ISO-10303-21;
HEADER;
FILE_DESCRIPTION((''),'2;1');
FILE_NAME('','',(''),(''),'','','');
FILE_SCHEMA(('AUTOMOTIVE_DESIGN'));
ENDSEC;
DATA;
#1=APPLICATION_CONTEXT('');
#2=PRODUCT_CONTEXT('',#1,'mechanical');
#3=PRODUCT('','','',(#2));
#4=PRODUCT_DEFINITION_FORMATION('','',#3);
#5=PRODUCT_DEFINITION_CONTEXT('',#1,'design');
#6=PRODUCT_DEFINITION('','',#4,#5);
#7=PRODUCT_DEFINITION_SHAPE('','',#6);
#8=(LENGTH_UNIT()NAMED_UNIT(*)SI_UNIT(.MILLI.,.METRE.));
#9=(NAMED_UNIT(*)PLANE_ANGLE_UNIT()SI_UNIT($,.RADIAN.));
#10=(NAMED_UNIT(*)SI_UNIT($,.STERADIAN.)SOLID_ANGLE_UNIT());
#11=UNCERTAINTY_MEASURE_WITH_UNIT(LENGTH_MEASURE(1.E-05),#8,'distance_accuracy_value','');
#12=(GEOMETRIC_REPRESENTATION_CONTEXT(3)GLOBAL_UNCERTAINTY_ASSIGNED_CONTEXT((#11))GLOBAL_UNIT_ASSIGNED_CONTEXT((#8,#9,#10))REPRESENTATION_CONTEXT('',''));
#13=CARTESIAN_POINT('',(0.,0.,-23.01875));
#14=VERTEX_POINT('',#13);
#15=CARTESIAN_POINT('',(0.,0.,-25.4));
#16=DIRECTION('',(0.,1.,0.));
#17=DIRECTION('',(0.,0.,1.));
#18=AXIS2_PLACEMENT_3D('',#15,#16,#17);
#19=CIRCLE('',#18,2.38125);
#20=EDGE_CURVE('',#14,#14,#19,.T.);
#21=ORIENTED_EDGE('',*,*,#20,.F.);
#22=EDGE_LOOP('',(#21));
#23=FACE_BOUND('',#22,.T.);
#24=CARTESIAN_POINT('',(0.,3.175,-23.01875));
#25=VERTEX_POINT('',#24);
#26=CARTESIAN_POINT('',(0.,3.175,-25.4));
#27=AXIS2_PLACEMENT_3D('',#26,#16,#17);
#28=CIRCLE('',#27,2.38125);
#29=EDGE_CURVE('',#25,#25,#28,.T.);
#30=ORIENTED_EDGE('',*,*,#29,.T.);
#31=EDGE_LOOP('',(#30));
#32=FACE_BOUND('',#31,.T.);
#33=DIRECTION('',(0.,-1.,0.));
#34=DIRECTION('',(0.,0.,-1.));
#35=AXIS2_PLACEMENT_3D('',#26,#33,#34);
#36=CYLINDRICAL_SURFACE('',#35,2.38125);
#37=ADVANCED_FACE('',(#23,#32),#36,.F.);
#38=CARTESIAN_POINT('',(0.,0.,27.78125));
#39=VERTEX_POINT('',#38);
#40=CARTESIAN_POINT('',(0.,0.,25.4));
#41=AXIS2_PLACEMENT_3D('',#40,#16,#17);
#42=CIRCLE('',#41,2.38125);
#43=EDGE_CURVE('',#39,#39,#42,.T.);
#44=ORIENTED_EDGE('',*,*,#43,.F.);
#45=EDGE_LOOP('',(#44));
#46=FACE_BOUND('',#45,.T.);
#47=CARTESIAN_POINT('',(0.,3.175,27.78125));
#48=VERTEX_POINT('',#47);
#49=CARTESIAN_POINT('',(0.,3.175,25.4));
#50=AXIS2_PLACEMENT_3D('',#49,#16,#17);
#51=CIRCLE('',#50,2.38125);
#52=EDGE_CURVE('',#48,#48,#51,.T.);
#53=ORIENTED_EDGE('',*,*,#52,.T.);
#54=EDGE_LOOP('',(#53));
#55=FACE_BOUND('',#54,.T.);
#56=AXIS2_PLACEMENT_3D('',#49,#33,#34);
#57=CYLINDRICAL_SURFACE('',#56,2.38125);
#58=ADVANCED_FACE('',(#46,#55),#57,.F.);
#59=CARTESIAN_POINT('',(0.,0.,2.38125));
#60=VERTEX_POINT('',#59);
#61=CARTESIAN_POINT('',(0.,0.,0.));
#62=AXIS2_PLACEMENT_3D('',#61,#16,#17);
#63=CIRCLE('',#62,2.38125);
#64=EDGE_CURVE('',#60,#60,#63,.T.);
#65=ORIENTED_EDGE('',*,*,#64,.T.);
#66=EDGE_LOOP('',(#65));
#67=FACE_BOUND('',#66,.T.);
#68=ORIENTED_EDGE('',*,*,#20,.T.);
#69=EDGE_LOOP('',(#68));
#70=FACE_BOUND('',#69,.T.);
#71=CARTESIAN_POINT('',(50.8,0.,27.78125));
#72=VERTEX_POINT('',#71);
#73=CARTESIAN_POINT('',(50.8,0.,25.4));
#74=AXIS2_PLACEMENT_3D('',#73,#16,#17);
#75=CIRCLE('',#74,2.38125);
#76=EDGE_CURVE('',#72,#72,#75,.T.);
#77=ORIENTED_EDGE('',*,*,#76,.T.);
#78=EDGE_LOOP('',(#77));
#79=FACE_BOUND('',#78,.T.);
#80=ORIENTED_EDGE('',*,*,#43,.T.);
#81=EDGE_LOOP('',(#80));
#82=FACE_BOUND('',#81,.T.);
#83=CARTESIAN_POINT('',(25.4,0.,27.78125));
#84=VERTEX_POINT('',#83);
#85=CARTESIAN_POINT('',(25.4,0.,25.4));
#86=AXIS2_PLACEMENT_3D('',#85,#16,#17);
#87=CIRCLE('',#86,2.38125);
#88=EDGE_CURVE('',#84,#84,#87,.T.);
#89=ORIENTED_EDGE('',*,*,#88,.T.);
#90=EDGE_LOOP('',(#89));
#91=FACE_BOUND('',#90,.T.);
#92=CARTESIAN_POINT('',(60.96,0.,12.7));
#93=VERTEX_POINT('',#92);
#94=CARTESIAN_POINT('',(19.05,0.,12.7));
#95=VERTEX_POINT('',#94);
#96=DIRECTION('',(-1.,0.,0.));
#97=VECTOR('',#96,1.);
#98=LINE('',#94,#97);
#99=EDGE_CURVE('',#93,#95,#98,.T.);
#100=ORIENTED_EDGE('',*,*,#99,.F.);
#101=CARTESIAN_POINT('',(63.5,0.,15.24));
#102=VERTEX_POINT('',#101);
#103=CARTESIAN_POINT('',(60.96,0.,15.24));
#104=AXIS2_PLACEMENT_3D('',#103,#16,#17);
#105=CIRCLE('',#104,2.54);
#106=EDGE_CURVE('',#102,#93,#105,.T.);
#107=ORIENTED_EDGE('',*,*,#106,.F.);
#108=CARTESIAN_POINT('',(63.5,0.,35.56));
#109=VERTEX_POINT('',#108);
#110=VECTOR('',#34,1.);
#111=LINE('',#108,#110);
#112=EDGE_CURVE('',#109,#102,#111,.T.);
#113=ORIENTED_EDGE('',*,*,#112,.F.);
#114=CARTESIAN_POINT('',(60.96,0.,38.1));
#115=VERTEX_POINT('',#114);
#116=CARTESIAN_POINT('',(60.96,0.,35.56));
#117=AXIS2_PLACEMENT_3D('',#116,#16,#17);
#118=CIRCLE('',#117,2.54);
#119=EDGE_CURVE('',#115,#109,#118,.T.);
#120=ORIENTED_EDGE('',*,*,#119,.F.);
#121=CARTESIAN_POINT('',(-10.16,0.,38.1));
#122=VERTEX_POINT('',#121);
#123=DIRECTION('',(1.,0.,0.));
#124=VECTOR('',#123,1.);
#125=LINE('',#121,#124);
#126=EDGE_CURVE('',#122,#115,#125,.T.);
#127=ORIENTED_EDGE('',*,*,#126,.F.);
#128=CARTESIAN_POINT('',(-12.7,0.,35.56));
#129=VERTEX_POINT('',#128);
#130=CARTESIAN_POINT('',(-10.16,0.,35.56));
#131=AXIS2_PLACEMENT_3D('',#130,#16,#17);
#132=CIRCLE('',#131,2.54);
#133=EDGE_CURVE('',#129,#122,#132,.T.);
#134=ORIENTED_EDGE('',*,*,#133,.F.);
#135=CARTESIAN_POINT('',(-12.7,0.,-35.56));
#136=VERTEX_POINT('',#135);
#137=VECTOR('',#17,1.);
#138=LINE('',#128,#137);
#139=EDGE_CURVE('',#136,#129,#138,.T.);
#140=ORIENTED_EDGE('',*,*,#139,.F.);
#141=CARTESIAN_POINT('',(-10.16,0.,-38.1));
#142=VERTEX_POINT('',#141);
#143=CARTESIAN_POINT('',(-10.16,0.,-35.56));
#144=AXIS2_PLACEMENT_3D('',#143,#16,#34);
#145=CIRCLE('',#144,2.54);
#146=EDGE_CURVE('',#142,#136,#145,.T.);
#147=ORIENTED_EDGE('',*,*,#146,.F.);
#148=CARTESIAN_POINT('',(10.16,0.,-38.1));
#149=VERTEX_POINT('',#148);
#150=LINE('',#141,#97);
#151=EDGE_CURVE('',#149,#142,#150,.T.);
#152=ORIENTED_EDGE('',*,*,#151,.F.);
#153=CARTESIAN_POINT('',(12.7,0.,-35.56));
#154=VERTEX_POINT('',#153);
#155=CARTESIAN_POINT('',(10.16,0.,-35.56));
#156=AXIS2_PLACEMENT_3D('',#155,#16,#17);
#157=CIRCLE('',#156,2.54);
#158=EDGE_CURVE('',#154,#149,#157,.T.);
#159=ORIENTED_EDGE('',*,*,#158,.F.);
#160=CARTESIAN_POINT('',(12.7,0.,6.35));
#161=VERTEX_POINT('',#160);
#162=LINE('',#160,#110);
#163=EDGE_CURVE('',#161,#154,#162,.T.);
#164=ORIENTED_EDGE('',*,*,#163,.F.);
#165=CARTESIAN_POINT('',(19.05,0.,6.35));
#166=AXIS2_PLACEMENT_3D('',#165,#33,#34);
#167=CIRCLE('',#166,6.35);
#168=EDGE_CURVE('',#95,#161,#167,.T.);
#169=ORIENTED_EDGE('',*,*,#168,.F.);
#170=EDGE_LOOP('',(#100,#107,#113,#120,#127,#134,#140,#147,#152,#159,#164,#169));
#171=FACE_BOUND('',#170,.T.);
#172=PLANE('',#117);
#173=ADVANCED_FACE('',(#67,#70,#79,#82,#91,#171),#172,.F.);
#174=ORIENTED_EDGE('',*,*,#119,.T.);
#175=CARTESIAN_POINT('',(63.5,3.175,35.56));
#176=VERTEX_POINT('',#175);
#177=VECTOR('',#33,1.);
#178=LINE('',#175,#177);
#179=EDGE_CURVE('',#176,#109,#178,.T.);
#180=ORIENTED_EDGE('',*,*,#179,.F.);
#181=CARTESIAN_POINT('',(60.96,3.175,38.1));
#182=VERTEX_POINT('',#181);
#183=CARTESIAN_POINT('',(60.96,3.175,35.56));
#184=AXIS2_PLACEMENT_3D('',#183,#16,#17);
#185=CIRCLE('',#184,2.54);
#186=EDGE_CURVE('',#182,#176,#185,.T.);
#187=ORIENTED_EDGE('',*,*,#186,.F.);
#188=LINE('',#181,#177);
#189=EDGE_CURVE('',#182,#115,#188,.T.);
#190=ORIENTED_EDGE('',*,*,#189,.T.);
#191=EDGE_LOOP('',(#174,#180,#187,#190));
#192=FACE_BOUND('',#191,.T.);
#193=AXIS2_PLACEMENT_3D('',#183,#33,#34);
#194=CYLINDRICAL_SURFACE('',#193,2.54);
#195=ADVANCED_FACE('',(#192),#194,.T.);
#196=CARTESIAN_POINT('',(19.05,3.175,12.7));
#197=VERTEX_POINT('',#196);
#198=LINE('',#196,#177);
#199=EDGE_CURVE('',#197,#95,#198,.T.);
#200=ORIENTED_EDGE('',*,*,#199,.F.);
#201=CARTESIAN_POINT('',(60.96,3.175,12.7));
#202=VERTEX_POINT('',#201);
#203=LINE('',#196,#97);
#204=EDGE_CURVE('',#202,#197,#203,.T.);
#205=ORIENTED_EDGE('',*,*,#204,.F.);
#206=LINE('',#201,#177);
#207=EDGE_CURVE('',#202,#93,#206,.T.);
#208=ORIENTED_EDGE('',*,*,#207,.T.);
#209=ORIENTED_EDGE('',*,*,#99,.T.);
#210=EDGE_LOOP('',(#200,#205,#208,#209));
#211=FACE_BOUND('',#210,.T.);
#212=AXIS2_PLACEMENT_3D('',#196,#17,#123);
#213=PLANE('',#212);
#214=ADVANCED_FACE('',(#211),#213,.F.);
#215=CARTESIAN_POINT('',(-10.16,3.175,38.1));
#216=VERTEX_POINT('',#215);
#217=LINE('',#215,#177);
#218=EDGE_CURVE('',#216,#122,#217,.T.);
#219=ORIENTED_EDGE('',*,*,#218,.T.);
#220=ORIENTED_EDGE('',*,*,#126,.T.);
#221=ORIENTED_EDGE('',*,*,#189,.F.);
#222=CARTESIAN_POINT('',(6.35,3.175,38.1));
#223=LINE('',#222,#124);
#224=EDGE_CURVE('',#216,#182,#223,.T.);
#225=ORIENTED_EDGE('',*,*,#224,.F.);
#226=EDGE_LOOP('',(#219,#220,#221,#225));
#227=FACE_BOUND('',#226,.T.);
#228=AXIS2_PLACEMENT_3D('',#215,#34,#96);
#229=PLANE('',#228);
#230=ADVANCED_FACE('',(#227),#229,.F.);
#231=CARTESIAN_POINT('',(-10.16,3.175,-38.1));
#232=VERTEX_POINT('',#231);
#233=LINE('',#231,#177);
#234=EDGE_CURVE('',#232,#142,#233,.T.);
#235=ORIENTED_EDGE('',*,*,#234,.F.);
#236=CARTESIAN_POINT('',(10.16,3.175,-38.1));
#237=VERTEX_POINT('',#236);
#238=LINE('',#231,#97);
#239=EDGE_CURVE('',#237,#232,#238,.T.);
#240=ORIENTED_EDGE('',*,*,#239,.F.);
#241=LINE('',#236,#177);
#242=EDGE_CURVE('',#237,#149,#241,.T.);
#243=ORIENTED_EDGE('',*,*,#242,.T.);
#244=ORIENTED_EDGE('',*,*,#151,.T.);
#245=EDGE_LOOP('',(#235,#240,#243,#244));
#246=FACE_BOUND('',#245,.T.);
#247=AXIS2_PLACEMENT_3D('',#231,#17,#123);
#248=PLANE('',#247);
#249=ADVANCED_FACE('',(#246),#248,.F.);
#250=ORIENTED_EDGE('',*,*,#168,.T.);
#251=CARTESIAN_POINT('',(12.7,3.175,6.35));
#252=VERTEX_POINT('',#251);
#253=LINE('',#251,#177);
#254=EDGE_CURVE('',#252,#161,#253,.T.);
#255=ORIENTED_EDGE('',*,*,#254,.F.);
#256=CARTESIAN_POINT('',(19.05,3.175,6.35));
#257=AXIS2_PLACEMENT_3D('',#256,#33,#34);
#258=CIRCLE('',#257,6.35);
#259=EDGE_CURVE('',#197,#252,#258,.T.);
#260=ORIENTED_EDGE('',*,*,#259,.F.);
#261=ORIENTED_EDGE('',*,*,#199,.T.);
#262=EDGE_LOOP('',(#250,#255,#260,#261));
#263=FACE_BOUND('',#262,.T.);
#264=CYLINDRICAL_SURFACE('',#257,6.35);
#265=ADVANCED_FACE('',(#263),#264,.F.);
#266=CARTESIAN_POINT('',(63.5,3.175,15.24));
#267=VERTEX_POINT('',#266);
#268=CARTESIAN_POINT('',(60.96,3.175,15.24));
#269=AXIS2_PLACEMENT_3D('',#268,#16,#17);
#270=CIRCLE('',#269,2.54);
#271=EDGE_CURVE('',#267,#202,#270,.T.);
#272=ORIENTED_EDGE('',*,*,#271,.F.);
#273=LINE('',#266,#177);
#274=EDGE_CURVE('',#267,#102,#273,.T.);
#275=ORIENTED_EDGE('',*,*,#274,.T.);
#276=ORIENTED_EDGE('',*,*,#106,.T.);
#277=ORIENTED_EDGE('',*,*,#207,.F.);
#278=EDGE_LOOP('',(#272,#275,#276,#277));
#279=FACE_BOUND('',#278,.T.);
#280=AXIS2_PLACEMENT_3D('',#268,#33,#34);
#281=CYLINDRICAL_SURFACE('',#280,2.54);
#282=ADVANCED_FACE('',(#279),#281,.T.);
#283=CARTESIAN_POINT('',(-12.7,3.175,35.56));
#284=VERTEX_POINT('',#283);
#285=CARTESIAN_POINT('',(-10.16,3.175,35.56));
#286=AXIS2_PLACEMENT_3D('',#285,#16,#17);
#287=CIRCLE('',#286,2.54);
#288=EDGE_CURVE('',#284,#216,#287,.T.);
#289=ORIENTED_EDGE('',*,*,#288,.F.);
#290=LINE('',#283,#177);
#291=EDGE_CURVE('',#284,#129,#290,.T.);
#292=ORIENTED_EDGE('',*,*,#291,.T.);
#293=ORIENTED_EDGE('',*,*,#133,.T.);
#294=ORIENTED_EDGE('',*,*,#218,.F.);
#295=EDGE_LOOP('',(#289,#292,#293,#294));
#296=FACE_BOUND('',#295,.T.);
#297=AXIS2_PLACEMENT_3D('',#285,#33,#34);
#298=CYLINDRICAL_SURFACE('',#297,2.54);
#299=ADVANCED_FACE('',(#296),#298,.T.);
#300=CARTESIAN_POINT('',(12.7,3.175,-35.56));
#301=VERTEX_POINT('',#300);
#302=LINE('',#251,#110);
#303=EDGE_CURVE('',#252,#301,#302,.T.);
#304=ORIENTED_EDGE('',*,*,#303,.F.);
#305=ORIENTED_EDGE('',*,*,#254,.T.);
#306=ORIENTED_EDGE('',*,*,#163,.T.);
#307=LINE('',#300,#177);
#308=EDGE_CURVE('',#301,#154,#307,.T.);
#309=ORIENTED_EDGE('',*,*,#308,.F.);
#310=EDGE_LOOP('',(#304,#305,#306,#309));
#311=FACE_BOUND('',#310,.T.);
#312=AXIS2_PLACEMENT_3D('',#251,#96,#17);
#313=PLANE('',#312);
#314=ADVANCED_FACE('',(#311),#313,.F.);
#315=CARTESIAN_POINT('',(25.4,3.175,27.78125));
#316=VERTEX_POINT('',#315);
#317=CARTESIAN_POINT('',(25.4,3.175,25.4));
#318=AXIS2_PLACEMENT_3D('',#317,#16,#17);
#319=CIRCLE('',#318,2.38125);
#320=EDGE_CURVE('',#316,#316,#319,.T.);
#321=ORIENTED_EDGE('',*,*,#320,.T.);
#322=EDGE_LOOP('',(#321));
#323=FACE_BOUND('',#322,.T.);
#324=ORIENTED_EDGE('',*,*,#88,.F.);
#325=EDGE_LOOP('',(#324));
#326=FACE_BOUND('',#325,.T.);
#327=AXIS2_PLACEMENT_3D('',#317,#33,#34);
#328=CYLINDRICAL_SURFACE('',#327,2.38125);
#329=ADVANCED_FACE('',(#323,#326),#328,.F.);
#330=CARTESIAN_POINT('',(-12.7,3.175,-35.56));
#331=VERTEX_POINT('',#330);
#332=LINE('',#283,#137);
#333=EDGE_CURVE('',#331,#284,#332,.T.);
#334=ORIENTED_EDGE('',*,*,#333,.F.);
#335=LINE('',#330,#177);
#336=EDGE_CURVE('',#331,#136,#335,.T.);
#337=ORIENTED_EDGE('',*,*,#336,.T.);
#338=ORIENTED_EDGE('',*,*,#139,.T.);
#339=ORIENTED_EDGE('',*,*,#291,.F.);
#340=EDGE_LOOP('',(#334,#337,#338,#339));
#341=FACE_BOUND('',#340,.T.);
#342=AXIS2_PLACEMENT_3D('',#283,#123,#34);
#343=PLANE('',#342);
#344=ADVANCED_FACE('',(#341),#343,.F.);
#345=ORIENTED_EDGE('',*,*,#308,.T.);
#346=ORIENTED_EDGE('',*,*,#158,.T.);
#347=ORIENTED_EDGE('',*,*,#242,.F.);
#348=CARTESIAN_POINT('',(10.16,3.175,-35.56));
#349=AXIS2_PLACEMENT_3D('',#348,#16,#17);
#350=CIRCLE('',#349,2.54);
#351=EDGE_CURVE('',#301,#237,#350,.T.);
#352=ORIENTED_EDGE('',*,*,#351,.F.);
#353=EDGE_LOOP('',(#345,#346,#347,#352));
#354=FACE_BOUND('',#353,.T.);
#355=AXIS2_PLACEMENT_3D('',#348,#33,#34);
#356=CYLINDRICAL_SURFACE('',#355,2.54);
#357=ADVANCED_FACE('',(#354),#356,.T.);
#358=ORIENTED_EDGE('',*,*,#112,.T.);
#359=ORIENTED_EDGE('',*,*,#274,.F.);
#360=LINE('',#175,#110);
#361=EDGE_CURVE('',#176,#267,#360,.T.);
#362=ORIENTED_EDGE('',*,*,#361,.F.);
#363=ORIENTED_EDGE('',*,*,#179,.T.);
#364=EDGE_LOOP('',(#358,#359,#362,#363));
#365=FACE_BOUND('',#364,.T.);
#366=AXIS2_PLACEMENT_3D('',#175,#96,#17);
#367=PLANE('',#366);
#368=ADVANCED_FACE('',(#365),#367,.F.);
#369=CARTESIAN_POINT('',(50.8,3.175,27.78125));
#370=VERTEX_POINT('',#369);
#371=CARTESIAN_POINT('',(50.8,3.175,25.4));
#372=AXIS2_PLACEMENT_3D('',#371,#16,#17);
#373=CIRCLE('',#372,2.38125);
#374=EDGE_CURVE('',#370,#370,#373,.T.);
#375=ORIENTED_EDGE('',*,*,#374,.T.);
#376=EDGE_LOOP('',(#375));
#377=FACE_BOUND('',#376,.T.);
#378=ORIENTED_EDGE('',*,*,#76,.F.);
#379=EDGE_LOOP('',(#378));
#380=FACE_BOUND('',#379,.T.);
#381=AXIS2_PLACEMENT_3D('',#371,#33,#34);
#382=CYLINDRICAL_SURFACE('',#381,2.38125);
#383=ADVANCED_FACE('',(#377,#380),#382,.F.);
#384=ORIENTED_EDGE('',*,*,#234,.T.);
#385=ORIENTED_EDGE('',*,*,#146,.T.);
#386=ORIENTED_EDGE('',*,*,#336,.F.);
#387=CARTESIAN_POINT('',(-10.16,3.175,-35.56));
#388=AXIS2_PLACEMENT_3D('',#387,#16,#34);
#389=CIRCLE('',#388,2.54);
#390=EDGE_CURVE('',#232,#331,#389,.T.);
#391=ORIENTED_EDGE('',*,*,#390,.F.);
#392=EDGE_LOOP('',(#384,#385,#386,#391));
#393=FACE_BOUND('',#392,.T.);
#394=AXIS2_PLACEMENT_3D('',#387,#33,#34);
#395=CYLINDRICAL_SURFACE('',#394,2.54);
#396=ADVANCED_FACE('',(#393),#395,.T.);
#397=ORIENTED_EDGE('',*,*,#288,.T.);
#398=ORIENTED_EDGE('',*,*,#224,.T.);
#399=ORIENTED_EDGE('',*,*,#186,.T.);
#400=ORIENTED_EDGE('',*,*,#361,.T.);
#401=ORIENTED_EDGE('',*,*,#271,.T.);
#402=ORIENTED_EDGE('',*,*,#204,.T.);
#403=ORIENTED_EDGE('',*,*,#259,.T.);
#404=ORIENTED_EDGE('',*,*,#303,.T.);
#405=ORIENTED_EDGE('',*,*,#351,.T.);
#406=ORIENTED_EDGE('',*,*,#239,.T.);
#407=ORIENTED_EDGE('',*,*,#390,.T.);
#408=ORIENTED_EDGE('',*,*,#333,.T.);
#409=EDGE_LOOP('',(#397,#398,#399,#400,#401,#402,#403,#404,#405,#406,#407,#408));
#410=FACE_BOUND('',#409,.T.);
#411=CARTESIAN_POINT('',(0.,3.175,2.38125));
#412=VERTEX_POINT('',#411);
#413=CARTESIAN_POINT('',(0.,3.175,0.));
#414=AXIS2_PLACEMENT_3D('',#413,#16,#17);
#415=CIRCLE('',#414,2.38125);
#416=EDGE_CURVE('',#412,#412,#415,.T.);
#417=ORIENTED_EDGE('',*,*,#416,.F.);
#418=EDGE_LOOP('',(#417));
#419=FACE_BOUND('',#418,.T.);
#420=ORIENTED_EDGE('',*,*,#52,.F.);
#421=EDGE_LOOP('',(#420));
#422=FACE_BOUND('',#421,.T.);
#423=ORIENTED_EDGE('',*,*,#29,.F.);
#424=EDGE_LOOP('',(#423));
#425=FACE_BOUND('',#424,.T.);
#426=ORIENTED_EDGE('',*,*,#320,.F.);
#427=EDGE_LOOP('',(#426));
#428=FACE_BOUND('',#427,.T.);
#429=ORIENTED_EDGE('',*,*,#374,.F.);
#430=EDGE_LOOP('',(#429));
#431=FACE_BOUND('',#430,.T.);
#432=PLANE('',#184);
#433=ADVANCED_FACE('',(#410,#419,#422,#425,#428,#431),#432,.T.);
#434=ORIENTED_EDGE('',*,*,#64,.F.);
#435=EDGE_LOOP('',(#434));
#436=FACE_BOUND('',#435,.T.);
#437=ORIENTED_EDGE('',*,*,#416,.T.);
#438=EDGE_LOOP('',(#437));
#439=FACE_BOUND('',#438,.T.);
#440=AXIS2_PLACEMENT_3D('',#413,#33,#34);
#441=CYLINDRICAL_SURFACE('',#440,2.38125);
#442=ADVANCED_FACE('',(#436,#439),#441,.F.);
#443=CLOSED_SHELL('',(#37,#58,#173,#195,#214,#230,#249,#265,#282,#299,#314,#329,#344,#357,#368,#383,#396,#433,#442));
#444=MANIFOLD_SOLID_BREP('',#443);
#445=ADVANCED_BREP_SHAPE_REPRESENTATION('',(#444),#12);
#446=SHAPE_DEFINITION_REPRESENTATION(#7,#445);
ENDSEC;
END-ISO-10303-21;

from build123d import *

# Parameters (mm, degrees)
SKETCH1_R           = 2.38125
BOSS_EXTRUDE1_DEPTH = 3.175


with BuildPart() as part:
    # Sketch1 → Boss-Extrude1 (new body)
    with BuildSketch(Plane(origin=(0, 0, 0), x_dir=(1, 0, 0), z_dir=(0, 1, 0))):
        with BuildLine():
            Line((-10.16, -38.1), (6.35, -38.1))
            Line((6.35, -38.1), (60.96, -38.1))
            ThreePointArc((60.96, -38.1), (62.756051224, -37.356051224), (63.5, -35.56))
            Line((63.5, -35.56), (63.5, -15.24))
            ThreePointArc((63.5, -15.24), (62.756051224, -13.443948776), (60.96, -12.7))
            Line((60.96, -12.7), (19.05, -12.7))
            ThreePointArc((19.05, -12.7), (14.559871939, -10.840128061), (12.7, -6.35))
            Line((12.7, -6.35), (12.7, 35.56))
            ThreePointArc((12.7, 35.56), (11.956051224, 37.356051224), (10.16, 38.1))
            Line((10.16, 38.1), (-10.16, 38.1))
            ThreePointArc((-10.16, 38.1), (-11.956051224, 37.356051224), (-12.7, 35.56))
            Line((-12.7, 35.56), (-12.7, -35.56))
            ThreePointArc((-12.7, -35.56), (-11.956051224, -37.356051224), (-10.16, -38.1))
        make_face()
        with Locations(Location((0, -25.4, 0), (0, 0, 270))):
            Circle(SKETCH1_R, mode=Mode.SUBTRACT)
        with Locations(Location((0, 0, 0), (0, 0, 270))):
            Circle(SKETCH1_R, mode=Mode.SUBTRACT)
        with Locations(Location((0, 25.4, 0), (0, 0, 270))):
            Circle(SKETCH1_R, mode=Mode.SUBTRACT)
        with Locations(Location((25.4, -25.4, 0), (0, 0, 270))):
            Circle(SKETCH1_R, mode=Mode.SUBTRACT)
        with Locations(Location((50.8, -25.4, 0), (0, 0, 270))):
            Circle(SKETCH1_R, mode=Mode.SUBTRACT)
    extrude(amount=BOSS_EXTRUDE1_DEPTH)


solid = part.part
